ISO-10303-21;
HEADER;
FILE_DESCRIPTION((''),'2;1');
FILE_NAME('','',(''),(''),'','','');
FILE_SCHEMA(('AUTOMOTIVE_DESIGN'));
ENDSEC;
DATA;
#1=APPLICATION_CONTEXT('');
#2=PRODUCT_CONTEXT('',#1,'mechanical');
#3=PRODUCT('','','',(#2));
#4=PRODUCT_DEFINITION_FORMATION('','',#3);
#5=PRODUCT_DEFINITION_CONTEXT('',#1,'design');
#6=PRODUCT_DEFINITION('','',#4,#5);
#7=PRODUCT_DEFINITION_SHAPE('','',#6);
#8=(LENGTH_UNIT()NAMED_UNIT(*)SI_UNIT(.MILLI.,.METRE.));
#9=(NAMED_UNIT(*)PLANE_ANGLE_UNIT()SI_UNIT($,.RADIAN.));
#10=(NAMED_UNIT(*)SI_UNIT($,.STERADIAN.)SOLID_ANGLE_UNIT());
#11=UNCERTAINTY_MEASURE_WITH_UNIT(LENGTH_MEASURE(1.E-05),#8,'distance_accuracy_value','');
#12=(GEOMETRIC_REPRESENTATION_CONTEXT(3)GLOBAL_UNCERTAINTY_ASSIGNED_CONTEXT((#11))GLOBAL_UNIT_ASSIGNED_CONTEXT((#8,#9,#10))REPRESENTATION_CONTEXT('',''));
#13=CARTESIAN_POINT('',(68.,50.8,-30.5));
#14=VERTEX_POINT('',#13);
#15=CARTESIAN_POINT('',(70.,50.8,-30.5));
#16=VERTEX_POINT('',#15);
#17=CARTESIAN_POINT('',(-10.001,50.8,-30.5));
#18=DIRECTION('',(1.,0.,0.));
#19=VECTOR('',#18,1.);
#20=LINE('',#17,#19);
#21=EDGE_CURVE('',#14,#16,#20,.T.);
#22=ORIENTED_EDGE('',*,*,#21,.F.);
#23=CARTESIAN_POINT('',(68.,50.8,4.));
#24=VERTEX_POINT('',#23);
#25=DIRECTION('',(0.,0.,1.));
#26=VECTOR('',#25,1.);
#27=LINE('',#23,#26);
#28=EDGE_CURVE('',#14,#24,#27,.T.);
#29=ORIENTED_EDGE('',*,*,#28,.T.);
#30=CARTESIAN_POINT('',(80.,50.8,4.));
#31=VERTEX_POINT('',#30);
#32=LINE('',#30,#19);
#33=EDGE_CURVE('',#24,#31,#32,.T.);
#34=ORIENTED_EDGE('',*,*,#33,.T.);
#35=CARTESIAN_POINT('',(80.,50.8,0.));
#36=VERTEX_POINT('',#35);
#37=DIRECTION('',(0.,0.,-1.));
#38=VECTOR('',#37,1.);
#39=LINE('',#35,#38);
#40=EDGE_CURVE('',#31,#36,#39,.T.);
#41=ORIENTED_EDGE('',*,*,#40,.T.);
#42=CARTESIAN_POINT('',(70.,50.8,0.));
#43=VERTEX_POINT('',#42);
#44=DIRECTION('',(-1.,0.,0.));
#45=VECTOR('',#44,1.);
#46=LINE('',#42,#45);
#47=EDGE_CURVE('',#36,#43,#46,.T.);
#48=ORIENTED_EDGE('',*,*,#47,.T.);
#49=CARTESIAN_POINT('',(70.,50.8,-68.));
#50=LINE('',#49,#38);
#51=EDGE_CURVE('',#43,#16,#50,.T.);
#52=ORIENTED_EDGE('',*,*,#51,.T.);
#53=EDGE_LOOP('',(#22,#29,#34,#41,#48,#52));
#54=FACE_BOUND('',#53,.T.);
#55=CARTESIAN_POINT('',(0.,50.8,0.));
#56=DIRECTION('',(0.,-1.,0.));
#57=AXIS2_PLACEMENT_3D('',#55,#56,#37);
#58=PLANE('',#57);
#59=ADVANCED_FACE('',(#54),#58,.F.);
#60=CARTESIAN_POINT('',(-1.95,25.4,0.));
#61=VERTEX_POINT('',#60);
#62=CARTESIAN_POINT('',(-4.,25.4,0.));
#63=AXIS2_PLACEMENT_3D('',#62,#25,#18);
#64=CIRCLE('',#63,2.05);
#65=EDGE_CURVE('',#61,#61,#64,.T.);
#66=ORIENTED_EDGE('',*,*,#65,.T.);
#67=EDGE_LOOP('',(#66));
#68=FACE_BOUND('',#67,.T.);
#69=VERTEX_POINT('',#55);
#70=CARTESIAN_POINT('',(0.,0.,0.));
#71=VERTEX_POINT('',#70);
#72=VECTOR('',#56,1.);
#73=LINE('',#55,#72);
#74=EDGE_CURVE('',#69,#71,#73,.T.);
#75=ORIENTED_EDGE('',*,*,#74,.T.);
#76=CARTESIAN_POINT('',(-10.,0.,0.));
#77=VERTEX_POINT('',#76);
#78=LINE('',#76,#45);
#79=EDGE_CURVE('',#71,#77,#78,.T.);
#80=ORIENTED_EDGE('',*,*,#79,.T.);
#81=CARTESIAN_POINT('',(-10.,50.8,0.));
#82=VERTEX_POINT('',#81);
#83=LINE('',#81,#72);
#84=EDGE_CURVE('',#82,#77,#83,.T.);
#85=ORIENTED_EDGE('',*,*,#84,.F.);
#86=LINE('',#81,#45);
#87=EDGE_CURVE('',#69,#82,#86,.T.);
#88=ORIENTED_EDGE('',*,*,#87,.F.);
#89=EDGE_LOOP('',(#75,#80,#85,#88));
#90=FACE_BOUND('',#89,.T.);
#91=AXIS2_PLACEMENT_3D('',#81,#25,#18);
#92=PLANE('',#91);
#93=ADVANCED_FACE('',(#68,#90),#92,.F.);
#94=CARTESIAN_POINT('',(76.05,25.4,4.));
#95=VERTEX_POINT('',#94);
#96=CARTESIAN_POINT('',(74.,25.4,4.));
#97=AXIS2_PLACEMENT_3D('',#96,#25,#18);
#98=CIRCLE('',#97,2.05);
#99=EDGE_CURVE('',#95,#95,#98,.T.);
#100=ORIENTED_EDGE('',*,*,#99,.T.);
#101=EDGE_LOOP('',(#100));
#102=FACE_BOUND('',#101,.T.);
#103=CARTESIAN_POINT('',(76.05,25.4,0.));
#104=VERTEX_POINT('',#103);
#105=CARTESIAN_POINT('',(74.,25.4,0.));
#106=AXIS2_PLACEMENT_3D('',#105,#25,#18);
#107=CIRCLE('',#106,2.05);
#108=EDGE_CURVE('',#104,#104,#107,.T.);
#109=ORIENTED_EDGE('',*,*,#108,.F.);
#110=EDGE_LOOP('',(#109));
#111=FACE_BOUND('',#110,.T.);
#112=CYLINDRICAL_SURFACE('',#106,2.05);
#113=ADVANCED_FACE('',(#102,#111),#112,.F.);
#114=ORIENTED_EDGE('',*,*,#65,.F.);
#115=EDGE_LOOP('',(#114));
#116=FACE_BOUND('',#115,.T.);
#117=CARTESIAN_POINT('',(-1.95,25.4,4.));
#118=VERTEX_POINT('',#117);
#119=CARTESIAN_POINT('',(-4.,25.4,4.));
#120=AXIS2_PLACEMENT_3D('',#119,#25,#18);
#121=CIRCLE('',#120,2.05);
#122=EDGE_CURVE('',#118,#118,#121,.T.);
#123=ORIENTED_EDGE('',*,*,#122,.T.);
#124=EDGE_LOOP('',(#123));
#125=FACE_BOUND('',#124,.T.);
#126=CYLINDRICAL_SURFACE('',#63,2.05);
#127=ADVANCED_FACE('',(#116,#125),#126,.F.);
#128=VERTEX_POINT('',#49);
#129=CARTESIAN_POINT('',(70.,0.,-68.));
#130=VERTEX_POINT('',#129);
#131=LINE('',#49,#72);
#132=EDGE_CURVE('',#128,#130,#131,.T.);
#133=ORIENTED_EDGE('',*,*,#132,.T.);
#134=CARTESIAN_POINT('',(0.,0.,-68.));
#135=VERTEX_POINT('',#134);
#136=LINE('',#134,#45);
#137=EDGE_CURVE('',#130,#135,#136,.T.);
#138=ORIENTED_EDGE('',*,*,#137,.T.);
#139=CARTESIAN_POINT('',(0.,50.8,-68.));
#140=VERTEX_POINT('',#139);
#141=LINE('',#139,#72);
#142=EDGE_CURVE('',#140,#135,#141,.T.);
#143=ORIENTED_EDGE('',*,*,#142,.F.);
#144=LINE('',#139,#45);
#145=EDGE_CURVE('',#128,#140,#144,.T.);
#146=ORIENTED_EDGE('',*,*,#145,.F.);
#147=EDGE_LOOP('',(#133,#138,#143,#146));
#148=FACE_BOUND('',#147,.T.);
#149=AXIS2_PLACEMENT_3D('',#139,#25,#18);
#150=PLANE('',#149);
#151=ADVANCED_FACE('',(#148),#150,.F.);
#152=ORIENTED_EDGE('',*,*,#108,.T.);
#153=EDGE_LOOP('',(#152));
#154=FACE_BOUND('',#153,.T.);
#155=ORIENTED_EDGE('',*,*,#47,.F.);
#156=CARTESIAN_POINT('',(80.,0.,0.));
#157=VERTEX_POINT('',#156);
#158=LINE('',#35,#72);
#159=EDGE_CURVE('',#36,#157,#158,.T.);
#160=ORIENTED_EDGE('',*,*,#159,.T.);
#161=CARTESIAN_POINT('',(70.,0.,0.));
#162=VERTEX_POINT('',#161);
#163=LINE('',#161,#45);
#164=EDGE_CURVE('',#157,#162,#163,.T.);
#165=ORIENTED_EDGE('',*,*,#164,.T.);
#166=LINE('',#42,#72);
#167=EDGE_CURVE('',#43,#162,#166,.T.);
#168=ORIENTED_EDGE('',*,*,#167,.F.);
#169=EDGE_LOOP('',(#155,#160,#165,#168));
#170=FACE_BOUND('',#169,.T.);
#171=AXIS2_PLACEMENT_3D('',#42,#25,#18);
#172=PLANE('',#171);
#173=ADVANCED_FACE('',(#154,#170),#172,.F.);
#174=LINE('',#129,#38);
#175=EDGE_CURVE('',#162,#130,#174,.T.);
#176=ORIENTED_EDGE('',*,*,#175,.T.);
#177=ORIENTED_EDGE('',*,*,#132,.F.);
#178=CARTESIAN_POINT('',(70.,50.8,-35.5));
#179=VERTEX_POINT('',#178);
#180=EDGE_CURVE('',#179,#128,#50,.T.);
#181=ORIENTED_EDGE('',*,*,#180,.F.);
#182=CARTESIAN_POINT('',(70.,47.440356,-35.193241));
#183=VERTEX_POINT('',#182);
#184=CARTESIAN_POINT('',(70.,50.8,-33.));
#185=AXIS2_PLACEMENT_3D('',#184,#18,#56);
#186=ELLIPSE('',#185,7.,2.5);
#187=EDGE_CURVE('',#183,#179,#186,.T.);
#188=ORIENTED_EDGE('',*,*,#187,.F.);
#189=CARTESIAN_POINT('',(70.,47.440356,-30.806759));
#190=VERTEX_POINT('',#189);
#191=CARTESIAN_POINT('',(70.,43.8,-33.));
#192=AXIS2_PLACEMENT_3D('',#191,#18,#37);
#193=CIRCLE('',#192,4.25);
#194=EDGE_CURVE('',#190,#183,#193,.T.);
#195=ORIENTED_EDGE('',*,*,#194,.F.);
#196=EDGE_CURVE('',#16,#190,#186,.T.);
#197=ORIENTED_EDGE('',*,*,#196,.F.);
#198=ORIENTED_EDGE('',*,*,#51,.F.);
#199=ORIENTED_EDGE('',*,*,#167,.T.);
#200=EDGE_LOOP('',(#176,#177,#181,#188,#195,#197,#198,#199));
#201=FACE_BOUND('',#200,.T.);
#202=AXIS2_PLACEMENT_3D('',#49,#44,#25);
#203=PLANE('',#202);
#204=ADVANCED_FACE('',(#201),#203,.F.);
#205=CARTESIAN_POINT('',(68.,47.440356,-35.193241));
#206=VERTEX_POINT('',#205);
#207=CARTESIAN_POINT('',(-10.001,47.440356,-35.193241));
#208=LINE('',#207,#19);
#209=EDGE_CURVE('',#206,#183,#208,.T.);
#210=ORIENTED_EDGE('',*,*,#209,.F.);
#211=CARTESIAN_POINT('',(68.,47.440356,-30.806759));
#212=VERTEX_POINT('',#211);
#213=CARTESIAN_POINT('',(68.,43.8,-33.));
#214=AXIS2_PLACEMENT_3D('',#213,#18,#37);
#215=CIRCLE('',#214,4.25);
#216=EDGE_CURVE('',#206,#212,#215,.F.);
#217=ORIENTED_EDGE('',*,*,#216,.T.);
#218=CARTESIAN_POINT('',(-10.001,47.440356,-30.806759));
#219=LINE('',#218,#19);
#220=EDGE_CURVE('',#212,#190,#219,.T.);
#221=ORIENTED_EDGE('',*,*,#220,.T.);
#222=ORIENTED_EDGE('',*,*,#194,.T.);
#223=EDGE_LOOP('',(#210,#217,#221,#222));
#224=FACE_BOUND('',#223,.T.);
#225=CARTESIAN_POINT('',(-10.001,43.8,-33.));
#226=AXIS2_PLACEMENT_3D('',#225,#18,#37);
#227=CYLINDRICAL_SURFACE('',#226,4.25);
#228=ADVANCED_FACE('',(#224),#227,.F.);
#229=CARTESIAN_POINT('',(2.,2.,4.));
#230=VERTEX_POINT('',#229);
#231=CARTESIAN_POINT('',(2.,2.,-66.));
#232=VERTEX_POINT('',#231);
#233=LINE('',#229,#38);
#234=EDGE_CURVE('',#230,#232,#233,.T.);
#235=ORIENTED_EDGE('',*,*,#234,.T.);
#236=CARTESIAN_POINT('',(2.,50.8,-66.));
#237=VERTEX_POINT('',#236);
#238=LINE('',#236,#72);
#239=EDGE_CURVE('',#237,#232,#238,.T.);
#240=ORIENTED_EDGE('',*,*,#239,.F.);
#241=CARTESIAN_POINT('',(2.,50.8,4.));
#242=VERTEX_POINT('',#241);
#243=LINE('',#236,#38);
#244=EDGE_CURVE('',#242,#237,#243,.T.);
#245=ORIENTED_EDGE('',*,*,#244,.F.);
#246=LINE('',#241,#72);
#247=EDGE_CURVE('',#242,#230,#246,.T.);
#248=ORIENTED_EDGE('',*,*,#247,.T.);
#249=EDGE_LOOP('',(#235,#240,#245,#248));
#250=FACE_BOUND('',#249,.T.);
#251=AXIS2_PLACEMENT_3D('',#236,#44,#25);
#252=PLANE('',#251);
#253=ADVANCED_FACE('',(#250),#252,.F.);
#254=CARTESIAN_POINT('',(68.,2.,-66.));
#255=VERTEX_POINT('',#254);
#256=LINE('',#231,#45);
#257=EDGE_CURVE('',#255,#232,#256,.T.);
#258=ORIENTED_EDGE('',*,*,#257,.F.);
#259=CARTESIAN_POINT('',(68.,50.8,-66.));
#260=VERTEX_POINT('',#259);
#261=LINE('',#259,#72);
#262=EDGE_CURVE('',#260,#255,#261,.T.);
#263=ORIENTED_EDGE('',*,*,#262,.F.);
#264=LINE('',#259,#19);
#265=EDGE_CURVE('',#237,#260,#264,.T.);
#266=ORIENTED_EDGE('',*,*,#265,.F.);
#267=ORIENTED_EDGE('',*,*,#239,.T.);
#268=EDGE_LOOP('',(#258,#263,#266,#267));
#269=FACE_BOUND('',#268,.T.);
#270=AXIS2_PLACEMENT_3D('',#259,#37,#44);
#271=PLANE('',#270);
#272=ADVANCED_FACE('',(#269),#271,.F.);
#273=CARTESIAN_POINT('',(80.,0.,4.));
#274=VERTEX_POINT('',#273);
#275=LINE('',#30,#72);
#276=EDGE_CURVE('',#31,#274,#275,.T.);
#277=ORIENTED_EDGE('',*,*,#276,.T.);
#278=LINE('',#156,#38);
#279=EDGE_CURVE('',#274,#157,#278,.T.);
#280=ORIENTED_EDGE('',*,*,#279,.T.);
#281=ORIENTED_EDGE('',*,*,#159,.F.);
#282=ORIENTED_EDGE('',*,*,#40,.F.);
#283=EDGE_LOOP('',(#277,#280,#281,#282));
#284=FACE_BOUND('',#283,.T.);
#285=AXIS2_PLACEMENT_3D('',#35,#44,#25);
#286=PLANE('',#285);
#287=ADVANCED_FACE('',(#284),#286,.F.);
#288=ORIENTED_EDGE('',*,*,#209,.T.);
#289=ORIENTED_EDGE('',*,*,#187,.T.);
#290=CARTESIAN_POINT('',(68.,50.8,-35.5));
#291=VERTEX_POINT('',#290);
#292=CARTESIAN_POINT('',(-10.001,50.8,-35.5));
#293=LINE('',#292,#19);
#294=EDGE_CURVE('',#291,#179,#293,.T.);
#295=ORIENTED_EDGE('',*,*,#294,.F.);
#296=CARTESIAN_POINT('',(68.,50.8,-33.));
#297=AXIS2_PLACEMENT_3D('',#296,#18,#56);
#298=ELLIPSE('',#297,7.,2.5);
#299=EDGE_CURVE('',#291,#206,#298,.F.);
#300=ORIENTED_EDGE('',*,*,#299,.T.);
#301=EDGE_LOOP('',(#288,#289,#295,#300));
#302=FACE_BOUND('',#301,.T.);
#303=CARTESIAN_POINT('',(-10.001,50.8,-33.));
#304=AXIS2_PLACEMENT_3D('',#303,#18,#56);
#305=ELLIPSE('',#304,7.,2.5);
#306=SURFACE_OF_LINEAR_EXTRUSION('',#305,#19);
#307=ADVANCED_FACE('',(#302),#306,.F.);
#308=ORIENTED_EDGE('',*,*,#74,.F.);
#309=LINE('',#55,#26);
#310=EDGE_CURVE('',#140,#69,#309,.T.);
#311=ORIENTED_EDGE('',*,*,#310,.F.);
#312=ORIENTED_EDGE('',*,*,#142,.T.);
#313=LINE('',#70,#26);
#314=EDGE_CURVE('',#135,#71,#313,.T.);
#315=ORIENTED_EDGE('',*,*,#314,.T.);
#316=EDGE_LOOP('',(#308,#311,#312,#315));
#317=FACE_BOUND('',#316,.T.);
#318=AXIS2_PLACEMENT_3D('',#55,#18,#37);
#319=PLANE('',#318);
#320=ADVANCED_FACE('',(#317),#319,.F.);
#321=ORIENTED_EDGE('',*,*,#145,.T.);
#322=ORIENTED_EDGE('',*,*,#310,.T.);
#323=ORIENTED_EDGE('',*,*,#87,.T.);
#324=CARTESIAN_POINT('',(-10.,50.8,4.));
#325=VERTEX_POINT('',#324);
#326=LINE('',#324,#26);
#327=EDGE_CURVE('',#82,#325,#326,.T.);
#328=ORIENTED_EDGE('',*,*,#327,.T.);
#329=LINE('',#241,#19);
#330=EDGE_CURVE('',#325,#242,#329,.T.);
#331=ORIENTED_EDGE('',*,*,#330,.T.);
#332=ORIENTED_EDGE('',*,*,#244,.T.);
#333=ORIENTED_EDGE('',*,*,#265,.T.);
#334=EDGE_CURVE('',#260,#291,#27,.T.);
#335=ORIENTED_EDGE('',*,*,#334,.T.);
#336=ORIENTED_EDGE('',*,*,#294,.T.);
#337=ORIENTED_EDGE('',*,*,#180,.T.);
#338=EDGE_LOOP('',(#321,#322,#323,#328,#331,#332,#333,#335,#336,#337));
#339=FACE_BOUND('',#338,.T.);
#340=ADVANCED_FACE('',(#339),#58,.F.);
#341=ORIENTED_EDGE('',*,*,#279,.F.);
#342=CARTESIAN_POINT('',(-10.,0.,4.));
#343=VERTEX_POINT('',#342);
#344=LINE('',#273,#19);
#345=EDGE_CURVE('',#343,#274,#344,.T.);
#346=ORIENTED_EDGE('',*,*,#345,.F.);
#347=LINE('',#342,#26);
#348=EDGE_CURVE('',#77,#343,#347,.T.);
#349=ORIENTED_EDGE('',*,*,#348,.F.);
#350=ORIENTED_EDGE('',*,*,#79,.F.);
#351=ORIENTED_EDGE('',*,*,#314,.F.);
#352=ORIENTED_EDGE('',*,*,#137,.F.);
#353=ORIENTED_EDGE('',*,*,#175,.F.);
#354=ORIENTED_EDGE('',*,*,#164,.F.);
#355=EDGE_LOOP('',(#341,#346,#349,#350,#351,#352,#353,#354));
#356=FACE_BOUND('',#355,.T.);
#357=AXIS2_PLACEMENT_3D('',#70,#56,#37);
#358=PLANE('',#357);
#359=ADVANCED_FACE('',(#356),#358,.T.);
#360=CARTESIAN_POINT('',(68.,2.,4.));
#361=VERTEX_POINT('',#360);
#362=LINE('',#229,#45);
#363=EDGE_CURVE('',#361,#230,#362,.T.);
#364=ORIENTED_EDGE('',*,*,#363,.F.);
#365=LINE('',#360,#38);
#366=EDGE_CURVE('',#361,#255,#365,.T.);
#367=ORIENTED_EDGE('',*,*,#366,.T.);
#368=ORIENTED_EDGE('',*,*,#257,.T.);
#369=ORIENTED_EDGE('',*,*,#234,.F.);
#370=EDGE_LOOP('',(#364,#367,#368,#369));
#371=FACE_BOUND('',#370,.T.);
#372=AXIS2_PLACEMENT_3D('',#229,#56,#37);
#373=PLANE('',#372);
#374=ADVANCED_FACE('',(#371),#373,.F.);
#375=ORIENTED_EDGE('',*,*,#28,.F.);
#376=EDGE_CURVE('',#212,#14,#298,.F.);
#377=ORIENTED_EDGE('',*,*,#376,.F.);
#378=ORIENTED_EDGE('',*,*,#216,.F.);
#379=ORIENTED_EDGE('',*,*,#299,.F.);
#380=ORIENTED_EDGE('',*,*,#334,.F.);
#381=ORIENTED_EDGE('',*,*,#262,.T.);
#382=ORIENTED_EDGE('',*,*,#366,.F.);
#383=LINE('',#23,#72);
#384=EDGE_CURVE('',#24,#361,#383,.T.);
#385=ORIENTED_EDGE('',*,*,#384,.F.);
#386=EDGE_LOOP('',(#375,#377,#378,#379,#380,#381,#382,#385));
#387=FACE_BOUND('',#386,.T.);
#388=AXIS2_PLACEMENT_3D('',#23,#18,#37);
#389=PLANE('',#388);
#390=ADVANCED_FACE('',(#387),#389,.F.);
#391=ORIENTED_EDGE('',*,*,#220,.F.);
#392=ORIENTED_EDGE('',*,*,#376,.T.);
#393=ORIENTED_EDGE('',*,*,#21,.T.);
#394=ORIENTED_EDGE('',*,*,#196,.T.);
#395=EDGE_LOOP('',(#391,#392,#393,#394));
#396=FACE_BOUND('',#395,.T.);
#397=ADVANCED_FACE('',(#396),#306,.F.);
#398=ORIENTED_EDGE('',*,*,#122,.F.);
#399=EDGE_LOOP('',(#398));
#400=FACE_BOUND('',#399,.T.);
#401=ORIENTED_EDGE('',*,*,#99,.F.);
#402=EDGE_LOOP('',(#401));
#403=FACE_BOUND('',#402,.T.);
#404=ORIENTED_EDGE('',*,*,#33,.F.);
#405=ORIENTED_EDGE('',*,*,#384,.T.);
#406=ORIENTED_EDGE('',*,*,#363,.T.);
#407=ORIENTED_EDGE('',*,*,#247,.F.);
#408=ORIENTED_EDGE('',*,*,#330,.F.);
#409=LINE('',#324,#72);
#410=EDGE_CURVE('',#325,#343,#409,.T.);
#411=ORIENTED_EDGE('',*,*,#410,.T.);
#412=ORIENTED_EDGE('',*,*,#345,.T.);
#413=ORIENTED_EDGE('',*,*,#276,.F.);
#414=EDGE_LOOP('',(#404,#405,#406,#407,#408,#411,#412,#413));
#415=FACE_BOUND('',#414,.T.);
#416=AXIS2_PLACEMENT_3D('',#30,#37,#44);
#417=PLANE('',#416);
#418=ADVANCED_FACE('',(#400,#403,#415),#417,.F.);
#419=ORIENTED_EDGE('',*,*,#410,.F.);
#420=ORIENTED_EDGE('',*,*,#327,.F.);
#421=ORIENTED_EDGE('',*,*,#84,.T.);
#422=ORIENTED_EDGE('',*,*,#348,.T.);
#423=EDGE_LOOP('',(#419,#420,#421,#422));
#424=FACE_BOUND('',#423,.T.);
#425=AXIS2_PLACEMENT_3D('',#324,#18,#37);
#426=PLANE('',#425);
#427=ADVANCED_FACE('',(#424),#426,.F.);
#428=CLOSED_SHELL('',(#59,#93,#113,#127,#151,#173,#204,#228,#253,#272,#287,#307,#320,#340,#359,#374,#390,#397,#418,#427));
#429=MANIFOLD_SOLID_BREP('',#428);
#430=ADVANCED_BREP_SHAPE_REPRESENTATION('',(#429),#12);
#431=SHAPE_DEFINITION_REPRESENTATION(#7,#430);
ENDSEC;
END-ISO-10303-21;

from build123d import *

# Parameters (mm, degrees)
BOSS_EXTRUDE1_DEPTH             = 50.8
BOTTOMCOVERSKETCH3_W            = 66
BOTTOMCOVERSKETCH3_H            = 2
BOTTOMCOVERBOSS_EXTRUDE2_DEPTH  = 70
MOUNTINGHOLESSKETCH4_R          = 2.05
MOUNTINGHOLESCUT_EXTRUDE2_DEPTH = 4
CABLEHOLECUT_EXTRUDE1_REACH     = 118.639


with BuildPart() as part:
    # Sketch1 → Boss-Extrude1 (new body)
    with BuildSketch(Plane(origin=(0, 0, 0), x_dir=(1, 0, 0), z_dir=(0, 1, 0))):
        Polygon((-10, 0), (0, 0), (0, 68), (70, 68), (70, 0), (80, 0), (80, -4), (68, -4), (68, 66), (2, 66), (2, -4), (-10, -4), align=None)
    extrude(amount=BOSS_EXTRUDE1_DEPTH)

    # BottomCoverSketch3 → BottomCoverBoss-Extrude2 (add)
    with BuildSketch(Plane.XY.offset(-66)):
        with Locations((35, 1)):
            Rectangle(BOTTOMCOVERSKETCH3_W, BOTTOMCOVERSKETCH3_H)
    extrude(amount=BOTTOMCOVERBOSS_EXTRUDE2_DEPTH)

    # MountingHolesSketch4 → MountingHolesCut-Extrude2 (cut)
    with BuildSketch(Plane.XY.offset(4)):
        with Locations((74, 25.4)):
            Circle(MOUNTINGHOLESSKETCH4_R)
        with Locations((-4, 25.4)):
            Circle(MOUNTINGHOLESSKETCH4_R)
    extrude(amount=-MOUNTINGHOLESCUT_EXTRUDE2_DEPTH, mode=Mode.SUBTRACT)

    # CableHoleSketch2 → CableHoleCut-Extrude1 (cut, up to next)
    with BuildSketch(Plane(origin=(70, 0, 0), x_dir=(0, 0, -1), z_dir=(1, 0, 0)), mode=Mode.PRIVATE) as cableholecut_extrude1_sk1:
        with BuildLine():
            Line((30.5, 50.8), (35.5, 50.8))
            add(Edge.make_bspline(
                [(35.193240855, 47.440356377), (35.5, 49.010381841), (35.5, 50.8)],
                knots=[1.070199647, 1.070199647, 1.070199647, 1.570796327, 1.570796327, 1.570796327], degree=2, weights=[1, 0.968838568, 1]))
            ThreePointArc((35.193240855, 47.440356377), (33, 39.55), (30.806759145, 47.440356377))
            add(Edge.make_bspline(
                [(30.5, 50.8), (30.5, 49.010381841), (30.806759145, 47.440356377)],
                knots=[4.71238898, 4.71238898, 4.71238898, 5.21298566, 5.21298566, 5.21298566], degree=2, weights=[1, 0.968838568, 1]))
        make_face()
    cableholecut_extrude1_tool1 = extrude(cableholecut_extrude1_sk1.sketch, amount=-CABLEHOLECUT_EXTRUDE1_REACH, mode=Mode.PRIVATE) & part.part
    add(cableholecut_extrude1_tool1.solids().sort_by_distance((70, 44.916526, -33))[0], mode=Mode.SUBTRACT)


solid = part.part
